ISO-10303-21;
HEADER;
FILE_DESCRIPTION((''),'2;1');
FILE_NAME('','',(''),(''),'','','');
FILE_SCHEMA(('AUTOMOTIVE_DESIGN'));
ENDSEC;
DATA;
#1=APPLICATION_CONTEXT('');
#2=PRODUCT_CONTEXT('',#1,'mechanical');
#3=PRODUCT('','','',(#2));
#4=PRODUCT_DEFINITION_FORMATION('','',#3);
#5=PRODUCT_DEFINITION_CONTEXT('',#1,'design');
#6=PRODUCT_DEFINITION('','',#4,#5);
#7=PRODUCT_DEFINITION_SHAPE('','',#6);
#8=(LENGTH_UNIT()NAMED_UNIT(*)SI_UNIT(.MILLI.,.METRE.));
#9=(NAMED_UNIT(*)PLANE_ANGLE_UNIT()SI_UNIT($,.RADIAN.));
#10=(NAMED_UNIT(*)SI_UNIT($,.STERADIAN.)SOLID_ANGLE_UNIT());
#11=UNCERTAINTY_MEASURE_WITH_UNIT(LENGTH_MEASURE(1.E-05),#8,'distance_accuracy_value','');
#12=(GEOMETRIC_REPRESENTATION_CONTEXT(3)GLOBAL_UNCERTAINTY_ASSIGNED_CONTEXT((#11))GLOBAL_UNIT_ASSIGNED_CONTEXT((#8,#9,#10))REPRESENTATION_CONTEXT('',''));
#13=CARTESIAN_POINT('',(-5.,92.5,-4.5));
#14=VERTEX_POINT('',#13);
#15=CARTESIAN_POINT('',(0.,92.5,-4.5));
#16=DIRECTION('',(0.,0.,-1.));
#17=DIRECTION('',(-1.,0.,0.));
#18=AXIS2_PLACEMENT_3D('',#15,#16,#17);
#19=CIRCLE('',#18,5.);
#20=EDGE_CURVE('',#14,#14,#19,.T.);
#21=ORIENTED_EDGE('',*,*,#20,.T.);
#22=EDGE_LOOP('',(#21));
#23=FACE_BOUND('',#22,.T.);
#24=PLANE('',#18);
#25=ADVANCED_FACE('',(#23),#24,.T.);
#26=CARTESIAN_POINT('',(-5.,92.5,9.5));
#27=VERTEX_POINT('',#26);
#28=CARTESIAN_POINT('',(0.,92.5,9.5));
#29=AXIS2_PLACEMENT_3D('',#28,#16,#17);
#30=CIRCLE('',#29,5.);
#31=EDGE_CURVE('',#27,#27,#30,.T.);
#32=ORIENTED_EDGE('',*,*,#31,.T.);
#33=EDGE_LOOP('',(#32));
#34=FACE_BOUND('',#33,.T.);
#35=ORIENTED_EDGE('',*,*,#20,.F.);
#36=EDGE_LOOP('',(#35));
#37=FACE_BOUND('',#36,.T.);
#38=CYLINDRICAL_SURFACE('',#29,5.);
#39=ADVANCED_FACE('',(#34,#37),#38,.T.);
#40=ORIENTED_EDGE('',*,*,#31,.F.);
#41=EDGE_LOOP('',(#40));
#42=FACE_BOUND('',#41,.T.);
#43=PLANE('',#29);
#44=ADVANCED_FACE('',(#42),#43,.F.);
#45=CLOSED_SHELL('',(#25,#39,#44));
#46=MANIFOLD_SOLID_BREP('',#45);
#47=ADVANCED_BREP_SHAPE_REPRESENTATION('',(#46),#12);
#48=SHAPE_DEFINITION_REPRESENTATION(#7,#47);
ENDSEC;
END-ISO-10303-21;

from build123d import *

# Parameters (mm, degrees)
SKETCH1_R                = 5
BOSS_EXTRUDE1_DEPTH      = 7
BOSS_EXTRUDE1_DEPTH_BACK = 7


with BuildPart() as part:
    # Sketch1 → Boss-Extrude1 (new body, two sides)
    with BuildSketch(Plane(origin=(0, 0, 2.5), x_dir=(-1, 0, 0), z_dir=(0, 0, -1))) as boss_extrude1_sk:
        with Locations((0, 92.5)):
            Circle(SKETCH1_R)
    extrude(amount=BOSS_EXTRUDE1_DEPTH)
    extrude(boss_extrude1_sk.sketch, amount=-BOSS_EXTRUDE1_DEPTH_BACK)


solid = part.part
